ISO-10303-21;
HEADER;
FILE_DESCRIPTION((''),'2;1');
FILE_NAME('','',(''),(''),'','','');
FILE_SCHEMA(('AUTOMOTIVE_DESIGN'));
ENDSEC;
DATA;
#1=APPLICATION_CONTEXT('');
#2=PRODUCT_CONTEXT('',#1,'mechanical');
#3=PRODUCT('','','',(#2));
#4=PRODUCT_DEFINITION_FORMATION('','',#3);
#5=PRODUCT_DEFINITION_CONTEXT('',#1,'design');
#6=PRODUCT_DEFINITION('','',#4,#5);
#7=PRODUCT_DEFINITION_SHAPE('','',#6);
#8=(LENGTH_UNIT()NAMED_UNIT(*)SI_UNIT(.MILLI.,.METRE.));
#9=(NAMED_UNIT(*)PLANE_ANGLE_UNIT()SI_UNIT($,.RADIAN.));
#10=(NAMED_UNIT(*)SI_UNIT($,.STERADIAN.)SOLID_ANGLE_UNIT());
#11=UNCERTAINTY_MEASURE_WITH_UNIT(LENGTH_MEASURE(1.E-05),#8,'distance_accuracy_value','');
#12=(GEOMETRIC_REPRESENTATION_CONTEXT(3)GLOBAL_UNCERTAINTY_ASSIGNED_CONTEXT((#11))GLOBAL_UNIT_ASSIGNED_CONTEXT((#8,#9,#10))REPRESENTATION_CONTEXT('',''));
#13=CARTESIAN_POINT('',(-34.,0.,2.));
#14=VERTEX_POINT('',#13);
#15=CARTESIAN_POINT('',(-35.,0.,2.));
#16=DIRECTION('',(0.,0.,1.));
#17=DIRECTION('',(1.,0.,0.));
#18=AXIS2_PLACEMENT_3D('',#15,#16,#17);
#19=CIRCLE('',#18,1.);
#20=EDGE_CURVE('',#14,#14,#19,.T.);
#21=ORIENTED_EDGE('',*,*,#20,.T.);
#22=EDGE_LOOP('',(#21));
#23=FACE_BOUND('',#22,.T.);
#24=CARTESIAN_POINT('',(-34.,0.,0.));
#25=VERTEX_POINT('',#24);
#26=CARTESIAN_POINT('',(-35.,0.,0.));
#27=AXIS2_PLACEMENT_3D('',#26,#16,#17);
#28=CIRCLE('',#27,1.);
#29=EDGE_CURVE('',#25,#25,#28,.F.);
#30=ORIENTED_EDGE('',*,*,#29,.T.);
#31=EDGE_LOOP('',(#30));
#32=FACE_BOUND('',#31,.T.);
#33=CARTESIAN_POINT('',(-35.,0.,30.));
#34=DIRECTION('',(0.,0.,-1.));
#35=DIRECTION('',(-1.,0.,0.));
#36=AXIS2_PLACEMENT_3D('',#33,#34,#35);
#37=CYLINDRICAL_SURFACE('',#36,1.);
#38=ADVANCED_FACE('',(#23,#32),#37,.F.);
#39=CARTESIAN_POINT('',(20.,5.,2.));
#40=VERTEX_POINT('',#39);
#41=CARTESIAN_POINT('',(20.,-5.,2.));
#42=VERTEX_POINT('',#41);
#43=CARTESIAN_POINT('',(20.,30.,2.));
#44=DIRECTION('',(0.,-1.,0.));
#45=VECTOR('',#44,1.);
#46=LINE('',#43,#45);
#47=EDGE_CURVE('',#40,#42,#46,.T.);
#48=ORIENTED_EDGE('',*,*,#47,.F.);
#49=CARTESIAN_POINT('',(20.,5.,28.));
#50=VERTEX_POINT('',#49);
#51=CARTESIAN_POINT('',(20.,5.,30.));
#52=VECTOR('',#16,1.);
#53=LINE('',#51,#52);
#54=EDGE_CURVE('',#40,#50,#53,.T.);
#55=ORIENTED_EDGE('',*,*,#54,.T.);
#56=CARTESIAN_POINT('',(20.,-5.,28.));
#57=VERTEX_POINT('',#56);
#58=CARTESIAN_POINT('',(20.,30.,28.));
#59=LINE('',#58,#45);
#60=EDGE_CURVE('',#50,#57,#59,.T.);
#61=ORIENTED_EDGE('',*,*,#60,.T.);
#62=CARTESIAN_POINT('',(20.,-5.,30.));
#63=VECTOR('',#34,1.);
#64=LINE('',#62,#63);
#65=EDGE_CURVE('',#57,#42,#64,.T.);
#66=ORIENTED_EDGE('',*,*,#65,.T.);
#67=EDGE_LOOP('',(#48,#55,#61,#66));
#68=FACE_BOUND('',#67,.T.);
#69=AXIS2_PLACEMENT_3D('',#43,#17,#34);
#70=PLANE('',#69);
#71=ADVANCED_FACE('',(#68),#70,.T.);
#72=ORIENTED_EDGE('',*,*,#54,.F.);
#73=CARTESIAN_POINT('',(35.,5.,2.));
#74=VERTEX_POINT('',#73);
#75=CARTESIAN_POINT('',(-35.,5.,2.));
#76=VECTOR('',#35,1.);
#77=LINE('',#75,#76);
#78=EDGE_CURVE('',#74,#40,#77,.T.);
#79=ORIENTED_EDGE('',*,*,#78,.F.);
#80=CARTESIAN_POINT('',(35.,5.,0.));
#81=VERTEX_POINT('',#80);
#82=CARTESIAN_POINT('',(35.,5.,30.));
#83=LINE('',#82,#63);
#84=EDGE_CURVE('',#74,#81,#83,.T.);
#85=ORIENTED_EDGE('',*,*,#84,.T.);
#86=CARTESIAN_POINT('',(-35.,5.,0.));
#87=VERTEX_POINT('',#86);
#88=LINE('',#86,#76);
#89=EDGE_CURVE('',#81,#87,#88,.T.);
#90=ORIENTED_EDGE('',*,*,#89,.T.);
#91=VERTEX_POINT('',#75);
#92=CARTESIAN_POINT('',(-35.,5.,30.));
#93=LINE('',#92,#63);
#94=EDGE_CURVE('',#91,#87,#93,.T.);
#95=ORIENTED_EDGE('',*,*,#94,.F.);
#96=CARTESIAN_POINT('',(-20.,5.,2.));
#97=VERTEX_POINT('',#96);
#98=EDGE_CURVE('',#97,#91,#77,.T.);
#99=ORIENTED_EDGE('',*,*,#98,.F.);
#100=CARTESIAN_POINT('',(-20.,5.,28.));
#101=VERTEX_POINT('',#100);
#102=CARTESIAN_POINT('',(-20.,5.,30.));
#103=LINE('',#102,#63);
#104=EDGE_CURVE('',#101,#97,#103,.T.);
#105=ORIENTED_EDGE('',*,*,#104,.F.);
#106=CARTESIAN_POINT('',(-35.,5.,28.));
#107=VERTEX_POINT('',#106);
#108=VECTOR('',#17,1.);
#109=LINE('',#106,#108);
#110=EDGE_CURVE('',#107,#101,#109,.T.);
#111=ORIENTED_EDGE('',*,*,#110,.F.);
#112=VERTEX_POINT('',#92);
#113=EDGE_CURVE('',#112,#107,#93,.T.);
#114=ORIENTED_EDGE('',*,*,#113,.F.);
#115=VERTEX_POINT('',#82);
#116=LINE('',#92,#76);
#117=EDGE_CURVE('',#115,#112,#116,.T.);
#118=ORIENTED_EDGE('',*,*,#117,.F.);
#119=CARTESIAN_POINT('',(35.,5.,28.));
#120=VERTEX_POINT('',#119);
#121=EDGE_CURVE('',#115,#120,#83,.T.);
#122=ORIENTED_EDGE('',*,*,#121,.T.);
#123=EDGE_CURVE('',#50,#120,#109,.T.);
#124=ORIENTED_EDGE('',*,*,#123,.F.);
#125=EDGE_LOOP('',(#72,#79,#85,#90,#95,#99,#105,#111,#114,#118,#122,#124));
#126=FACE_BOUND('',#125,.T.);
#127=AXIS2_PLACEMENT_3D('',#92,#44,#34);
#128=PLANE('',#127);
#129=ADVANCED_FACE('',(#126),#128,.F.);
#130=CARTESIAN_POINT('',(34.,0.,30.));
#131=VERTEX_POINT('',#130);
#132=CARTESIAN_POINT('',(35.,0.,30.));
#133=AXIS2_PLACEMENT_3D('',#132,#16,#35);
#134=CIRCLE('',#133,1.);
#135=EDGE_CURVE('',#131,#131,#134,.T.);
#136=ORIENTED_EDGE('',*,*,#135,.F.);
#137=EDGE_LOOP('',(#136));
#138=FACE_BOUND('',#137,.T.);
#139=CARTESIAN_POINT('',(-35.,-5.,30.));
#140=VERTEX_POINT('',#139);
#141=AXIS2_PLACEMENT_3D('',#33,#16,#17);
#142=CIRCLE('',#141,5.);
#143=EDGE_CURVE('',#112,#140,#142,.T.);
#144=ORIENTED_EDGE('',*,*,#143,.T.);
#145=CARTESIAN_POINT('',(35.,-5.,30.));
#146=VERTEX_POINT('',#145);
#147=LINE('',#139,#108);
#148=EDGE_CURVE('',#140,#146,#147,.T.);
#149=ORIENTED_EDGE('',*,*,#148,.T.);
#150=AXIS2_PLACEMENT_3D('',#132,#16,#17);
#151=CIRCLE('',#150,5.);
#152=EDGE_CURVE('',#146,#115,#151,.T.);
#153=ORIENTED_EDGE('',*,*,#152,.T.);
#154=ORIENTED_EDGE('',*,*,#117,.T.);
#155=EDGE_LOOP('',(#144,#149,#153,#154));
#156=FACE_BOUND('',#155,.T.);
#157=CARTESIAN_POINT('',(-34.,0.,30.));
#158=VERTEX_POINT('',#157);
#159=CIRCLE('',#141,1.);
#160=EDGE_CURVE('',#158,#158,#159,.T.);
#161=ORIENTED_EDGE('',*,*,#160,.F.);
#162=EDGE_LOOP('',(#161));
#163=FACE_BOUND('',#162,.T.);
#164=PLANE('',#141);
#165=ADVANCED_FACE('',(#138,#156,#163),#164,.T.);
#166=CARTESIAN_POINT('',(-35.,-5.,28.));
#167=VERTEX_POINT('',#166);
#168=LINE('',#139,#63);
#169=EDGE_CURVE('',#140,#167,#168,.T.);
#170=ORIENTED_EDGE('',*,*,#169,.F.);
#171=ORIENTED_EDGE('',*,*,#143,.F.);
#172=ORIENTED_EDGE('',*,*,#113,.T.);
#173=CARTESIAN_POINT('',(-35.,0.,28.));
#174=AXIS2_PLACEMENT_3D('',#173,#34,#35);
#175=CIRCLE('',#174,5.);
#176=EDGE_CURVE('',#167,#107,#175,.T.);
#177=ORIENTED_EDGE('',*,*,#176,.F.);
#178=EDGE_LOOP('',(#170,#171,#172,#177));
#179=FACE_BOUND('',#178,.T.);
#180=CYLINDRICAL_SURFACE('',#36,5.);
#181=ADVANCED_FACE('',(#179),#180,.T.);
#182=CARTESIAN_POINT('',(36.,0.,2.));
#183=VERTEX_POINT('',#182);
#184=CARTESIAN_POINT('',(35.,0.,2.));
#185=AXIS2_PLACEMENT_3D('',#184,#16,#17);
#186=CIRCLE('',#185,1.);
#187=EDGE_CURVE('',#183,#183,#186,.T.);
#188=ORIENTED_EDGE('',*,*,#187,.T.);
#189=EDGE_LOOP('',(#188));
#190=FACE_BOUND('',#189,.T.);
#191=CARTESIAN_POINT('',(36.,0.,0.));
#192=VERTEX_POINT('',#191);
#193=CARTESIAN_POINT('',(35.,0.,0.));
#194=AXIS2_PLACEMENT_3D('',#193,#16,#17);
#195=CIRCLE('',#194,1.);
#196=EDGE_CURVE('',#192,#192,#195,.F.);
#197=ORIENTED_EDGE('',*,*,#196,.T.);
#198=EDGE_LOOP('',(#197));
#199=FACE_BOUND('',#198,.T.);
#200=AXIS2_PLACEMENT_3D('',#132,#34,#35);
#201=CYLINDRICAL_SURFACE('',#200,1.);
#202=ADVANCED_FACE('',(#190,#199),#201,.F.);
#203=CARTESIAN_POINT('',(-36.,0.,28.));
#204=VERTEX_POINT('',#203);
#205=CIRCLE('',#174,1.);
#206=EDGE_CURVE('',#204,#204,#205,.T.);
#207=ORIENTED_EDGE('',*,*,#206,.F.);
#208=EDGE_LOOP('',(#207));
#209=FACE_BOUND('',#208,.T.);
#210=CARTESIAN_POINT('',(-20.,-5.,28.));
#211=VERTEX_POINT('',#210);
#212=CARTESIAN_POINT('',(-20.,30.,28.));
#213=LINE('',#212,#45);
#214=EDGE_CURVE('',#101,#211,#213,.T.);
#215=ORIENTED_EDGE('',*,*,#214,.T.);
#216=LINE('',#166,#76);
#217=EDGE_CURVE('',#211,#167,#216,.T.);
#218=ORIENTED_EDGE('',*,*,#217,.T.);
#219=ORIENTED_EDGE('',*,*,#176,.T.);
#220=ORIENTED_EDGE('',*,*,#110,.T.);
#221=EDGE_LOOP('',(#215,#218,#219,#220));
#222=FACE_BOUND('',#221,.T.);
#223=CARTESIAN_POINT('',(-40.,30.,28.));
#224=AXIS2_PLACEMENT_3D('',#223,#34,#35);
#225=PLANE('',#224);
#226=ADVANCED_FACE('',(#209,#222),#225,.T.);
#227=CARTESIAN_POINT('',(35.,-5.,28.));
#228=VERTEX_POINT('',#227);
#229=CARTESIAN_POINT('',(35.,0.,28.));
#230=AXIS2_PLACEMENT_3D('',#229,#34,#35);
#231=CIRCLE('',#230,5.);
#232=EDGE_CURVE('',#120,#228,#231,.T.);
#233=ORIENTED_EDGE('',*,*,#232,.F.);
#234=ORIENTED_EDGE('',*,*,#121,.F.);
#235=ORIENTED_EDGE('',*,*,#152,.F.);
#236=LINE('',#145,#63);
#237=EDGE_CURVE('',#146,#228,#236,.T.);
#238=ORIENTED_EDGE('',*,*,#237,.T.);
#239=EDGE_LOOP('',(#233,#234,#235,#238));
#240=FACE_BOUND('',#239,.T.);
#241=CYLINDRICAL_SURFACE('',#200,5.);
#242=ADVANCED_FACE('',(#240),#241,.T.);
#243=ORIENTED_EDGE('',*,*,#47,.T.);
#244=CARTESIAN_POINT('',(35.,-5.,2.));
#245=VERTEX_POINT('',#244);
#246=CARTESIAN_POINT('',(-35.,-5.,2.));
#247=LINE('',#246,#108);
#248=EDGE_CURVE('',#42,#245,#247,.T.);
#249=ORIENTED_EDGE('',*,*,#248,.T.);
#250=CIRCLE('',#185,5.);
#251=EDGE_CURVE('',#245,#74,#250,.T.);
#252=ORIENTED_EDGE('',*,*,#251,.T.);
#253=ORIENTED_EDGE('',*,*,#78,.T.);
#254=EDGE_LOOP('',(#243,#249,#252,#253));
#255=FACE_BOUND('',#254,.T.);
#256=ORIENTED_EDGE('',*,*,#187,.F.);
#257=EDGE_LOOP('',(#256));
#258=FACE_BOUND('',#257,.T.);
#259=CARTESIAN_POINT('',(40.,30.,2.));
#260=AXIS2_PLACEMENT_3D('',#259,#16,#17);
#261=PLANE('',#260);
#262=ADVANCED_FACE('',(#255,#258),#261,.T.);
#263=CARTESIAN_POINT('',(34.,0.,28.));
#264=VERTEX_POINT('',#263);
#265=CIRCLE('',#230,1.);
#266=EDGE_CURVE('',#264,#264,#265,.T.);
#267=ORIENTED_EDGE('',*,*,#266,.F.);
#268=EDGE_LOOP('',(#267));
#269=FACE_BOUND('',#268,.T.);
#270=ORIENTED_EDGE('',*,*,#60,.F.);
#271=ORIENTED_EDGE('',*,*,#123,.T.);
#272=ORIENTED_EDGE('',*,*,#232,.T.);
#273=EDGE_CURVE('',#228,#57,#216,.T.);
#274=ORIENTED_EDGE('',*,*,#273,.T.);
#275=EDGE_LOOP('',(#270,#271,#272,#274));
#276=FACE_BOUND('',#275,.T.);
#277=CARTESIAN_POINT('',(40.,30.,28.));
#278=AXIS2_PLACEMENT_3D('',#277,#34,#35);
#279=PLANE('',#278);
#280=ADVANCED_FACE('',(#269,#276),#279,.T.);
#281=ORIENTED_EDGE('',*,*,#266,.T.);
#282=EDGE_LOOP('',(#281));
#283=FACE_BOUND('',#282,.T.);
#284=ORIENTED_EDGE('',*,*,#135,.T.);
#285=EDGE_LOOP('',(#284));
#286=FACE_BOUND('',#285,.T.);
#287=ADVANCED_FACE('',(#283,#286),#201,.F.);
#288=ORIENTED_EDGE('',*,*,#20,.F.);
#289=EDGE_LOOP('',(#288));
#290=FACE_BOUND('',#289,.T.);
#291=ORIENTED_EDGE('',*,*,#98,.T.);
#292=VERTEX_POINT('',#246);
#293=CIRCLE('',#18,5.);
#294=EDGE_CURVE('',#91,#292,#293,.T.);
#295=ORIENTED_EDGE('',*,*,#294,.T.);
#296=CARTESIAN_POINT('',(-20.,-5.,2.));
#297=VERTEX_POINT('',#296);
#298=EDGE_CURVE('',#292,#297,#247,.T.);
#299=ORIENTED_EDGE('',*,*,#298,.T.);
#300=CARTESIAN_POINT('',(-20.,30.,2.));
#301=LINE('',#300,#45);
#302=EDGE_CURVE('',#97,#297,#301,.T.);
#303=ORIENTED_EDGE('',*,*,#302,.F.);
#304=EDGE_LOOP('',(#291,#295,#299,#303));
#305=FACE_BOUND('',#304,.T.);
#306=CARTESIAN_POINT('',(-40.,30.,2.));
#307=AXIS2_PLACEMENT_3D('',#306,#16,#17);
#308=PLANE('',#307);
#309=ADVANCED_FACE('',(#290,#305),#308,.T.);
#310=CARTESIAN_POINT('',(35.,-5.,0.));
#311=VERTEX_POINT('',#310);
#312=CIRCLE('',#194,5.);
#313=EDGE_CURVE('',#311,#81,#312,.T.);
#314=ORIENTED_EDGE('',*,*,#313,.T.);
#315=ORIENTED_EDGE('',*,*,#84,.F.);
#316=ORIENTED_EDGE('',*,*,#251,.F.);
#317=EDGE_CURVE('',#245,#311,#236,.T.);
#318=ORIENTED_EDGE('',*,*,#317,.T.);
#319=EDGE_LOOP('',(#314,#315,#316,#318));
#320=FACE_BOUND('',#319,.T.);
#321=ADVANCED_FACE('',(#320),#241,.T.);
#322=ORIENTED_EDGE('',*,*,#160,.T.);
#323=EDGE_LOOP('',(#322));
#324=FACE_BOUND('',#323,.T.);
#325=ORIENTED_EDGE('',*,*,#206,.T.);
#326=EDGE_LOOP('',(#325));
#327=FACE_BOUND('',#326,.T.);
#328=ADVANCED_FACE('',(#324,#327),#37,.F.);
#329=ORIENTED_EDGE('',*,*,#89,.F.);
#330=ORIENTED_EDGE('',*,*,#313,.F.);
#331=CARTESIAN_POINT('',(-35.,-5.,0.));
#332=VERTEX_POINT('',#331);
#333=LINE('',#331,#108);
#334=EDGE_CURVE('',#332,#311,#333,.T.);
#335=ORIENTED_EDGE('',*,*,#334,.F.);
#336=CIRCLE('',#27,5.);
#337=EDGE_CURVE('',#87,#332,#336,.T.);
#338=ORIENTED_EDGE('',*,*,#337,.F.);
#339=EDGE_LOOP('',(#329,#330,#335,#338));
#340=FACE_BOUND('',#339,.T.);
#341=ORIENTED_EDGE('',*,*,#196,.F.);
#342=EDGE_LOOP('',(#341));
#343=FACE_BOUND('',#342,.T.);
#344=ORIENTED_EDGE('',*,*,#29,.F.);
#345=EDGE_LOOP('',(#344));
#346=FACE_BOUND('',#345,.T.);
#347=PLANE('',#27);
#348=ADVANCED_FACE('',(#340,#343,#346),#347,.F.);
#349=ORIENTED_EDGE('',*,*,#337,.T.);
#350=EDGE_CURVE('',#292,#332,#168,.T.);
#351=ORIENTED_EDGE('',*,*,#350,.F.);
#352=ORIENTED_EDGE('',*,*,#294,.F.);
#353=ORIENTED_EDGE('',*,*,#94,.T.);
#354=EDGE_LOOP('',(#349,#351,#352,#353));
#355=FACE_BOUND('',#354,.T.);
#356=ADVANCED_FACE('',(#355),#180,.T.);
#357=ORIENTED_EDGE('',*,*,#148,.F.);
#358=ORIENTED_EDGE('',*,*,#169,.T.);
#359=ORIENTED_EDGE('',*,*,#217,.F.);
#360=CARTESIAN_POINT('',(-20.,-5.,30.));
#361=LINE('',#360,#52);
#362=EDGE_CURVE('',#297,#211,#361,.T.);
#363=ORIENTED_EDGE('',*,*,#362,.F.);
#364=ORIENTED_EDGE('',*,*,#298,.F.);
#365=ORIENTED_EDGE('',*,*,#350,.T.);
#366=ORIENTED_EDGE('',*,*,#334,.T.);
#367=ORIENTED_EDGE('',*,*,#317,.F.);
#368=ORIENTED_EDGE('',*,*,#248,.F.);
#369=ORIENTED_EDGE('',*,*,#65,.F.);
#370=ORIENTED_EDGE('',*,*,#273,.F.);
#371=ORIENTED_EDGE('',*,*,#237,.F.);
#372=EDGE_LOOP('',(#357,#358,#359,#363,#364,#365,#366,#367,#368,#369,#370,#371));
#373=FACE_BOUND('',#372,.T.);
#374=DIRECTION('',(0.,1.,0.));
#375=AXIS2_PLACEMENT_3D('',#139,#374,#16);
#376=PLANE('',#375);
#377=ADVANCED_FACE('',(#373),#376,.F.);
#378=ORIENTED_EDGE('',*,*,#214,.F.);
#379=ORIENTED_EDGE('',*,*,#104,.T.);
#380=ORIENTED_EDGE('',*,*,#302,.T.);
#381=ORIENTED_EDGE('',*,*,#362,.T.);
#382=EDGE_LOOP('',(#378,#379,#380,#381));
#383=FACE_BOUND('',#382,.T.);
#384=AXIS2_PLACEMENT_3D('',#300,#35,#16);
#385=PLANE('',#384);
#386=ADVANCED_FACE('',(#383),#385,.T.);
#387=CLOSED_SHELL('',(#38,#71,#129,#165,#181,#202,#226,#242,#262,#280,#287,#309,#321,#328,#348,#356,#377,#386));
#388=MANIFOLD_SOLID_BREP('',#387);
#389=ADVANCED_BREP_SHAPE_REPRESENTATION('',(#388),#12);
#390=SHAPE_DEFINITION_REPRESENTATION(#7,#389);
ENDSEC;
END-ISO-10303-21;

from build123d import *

# Parameters (mm, degrees)
EXTRUDE_1_DEPTH          = 30
SKETCH_2_R               = 1
CUT_EXTRUDE_4_DEPTH      = 31
CUT_EXTRUDE_4_DEPTH_BACK = 30
SKETCH_3_W               = 20
SKETCH_3_H               = 26
CUT_EXTRUDE_5_DEPTH      = 30
CUT_EXTRUDE_5_DEPTH_BACK = 30


with BuildPart() as part:
    # 草圖1 → 填料-伸長1 (new body)
    with BuildSketch(Plane.XY):
        with BuildLine():
            Line((-35, 5), (35, 5))
            ThreePointArc((35, 5), (40, 0), (35, -5))
            Line((35, -5), (-35, -5))
            ThreePointArc((-35, -5), (-40, 0), (-35, 5))
        make_face()
    extrude(amount=EXTRUDE_1_DEPTH)

    # 草圖2 → 除料-伸長4 (cut, two sides)
    with BuildSketch(Plane.XY) as cut_extrude_4_sk:
        with Locations((-35, 0)):
            Circle(SKETCH_2_R)
        with Locations((35, 0)):
            Circle(SKETCH_2_R)
    extrude(amount=CUT_EXTRUDE_4_DEPTH, mode=Mode.SUBTRACT)
    extrude(cut_extrude_4_sk.sketch, amount=-CUT_EXTRUDE_4_DEPTH_BACK, mode=Mode.SUBTRACT)

    # 草圖3 → 除料-伸長5 (cut, two sides)
    with BuildSketch(Plane(origin=(0, 0, 0), x_dir=(1, 0, 0), z_dir=(0, 1, 0))) as cut_extrude_5_sk:
        with Locations((-30, -15)):
            Rectangle(SKETCH_3_W, SKETCH_3_H)
        with Locations((30, -15)):
            Rectangle(SKETCH_3_W, SKETCH_3_H)
    extrude(amount=CUT_EXTRUDE_5_DEPTH, mode=Mode.SUBTRACT)
    extrude(cut_extrude_5_sk.sketch, amount=-CUT_EXTRUDE_5_DEPTH_BACK, mode=Mode.SUBTRACT)


solid = part.part
